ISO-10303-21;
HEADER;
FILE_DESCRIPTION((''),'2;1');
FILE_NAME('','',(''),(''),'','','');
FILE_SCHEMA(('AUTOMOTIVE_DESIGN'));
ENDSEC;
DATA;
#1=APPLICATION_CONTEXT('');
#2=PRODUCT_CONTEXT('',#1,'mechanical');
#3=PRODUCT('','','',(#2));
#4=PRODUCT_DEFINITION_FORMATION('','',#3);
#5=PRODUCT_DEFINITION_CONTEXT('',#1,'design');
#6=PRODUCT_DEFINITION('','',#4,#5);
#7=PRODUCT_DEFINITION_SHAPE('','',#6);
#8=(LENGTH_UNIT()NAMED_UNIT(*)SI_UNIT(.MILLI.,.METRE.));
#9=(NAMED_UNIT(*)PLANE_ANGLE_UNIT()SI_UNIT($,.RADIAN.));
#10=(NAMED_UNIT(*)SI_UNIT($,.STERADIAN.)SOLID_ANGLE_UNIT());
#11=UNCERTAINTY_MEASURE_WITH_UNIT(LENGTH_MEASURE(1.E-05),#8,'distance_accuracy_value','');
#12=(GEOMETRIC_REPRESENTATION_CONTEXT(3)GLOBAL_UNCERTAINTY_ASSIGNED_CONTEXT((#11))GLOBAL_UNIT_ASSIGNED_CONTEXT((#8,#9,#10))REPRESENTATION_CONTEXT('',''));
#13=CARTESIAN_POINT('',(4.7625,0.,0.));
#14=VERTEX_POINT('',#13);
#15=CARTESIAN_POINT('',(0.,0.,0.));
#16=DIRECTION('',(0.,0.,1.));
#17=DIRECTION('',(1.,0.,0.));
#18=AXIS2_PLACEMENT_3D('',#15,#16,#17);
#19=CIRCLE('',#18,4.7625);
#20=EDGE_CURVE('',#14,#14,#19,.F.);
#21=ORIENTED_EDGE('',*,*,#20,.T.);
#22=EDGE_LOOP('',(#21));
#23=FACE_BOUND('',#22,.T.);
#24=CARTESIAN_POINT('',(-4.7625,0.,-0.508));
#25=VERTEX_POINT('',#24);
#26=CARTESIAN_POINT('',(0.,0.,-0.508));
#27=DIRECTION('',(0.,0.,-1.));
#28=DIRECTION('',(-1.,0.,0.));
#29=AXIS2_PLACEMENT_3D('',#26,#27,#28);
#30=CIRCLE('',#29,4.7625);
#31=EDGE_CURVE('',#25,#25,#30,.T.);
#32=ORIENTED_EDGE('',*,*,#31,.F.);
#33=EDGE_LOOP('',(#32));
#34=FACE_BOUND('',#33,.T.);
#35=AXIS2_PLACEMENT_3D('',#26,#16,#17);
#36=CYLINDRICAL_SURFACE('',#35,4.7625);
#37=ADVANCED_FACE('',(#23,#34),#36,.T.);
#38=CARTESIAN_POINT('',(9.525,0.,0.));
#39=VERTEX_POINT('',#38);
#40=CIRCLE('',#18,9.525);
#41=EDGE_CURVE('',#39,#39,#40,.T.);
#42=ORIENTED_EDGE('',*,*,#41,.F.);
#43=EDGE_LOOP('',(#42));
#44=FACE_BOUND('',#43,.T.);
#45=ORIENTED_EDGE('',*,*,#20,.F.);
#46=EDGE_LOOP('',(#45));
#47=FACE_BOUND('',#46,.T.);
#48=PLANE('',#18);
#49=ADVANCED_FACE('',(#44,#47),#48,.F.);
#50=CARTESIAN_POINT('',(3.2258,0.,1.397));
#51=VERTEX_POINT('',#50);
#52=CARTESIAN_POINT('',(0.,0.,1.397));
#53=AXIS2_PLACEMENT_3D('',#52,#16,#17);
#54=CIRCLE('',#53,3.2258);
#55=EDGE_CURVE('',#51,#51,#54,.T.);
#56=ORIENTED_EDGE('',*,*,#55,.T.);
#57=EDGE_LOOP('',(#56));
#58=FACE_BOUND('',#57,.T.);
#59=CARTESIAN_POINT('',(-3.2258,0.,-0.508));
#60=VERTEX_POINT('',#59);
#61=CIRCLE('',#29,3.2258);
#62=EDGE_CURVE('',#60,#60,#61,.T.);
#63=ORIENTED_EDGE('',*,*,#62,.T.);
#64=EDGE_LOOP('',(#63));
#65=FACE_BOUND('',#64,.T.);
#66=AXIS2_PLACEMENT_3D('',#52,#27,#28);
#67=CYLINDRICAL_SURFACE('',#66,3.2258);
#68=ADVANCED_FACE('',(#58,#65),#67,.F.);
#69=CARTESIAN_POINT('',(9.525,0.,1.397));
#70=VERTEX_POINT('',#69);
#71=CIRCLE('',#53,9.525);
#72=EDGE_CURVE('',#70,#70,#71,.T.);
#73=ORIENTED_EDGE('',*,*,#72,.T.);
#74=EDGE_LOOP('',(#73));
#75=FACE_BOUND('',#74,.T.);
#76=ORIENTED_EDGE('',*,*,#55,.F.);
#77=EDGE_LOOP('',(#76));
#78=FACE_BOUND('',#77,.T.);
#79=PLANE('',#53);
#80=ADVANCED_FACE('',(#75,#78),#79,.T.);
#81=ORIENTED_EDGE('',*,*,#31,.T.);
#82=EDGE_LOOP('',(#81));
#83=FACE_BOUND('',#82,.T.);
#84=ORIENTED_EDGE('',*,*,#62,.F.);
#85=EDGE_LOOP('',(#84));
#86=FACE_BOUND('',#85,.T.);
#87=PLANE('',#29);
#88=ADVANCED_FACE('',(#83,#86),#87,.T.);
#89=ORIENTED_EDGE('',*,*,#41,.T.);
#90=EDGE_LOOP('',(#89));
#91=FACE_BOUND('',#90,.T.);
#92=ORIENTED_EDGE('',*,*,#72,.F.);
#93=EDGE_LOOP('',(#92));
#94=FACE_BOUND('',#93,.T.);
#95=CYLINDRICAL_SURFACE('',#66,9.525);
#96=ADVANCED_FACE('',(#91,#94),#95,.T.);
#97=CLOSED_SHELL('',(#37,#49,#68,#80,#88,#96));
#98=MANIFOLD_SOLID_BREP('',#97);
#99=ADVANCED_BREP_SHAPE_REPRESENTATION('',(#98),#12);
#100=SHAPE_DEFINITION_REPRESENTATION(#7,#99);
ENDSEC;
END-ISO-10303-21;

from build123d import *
from build123d.topology import SkipClean

# Parameters (mm, degrees)
SKETCH1_R      = 9.525
SKETCH1_R_2    = 3.2258
EXTRUDE1_DEPTH = 1.397
EXTRUDE2_START = 0.508
SKETCH2_R      = 4.7625
SKETCH2_R_2    = 3.2258
EXTRUDE2_DEPTH = 0.508


with BuildPart() as part:
    # Sketch1 → Extrude1 (new body)
    with BuildSketch(Plane.XY):
        Circle(SKETCH1_R)
        Circle(SKETCH1_R_2, mode=Mode.SUBTRACT)
    extrude(amount=EXTRUDE1_DEPTH)

    # Sketch2 → Extrude2 (add)
    with SkipClean():  # the faces are left unmerged after this step: merging them gives an invalid solid
        with BuildSketch(Plane(origin=(0, 0, 0), x_dir=(-1, 0, 0), z_dir=(0, 0, -1)).offset(EXTRUDE2_START)):
            with Locations(Location((0, 0, 0), (0, 0, 180))):
                Circle(SKETCH2_R)
            Circle(SKETCH2_R_2, mode=Mode.SUBTRACT)
        extrude(amount=-EXTRUDE2_DEPTH)


solid = part.part
